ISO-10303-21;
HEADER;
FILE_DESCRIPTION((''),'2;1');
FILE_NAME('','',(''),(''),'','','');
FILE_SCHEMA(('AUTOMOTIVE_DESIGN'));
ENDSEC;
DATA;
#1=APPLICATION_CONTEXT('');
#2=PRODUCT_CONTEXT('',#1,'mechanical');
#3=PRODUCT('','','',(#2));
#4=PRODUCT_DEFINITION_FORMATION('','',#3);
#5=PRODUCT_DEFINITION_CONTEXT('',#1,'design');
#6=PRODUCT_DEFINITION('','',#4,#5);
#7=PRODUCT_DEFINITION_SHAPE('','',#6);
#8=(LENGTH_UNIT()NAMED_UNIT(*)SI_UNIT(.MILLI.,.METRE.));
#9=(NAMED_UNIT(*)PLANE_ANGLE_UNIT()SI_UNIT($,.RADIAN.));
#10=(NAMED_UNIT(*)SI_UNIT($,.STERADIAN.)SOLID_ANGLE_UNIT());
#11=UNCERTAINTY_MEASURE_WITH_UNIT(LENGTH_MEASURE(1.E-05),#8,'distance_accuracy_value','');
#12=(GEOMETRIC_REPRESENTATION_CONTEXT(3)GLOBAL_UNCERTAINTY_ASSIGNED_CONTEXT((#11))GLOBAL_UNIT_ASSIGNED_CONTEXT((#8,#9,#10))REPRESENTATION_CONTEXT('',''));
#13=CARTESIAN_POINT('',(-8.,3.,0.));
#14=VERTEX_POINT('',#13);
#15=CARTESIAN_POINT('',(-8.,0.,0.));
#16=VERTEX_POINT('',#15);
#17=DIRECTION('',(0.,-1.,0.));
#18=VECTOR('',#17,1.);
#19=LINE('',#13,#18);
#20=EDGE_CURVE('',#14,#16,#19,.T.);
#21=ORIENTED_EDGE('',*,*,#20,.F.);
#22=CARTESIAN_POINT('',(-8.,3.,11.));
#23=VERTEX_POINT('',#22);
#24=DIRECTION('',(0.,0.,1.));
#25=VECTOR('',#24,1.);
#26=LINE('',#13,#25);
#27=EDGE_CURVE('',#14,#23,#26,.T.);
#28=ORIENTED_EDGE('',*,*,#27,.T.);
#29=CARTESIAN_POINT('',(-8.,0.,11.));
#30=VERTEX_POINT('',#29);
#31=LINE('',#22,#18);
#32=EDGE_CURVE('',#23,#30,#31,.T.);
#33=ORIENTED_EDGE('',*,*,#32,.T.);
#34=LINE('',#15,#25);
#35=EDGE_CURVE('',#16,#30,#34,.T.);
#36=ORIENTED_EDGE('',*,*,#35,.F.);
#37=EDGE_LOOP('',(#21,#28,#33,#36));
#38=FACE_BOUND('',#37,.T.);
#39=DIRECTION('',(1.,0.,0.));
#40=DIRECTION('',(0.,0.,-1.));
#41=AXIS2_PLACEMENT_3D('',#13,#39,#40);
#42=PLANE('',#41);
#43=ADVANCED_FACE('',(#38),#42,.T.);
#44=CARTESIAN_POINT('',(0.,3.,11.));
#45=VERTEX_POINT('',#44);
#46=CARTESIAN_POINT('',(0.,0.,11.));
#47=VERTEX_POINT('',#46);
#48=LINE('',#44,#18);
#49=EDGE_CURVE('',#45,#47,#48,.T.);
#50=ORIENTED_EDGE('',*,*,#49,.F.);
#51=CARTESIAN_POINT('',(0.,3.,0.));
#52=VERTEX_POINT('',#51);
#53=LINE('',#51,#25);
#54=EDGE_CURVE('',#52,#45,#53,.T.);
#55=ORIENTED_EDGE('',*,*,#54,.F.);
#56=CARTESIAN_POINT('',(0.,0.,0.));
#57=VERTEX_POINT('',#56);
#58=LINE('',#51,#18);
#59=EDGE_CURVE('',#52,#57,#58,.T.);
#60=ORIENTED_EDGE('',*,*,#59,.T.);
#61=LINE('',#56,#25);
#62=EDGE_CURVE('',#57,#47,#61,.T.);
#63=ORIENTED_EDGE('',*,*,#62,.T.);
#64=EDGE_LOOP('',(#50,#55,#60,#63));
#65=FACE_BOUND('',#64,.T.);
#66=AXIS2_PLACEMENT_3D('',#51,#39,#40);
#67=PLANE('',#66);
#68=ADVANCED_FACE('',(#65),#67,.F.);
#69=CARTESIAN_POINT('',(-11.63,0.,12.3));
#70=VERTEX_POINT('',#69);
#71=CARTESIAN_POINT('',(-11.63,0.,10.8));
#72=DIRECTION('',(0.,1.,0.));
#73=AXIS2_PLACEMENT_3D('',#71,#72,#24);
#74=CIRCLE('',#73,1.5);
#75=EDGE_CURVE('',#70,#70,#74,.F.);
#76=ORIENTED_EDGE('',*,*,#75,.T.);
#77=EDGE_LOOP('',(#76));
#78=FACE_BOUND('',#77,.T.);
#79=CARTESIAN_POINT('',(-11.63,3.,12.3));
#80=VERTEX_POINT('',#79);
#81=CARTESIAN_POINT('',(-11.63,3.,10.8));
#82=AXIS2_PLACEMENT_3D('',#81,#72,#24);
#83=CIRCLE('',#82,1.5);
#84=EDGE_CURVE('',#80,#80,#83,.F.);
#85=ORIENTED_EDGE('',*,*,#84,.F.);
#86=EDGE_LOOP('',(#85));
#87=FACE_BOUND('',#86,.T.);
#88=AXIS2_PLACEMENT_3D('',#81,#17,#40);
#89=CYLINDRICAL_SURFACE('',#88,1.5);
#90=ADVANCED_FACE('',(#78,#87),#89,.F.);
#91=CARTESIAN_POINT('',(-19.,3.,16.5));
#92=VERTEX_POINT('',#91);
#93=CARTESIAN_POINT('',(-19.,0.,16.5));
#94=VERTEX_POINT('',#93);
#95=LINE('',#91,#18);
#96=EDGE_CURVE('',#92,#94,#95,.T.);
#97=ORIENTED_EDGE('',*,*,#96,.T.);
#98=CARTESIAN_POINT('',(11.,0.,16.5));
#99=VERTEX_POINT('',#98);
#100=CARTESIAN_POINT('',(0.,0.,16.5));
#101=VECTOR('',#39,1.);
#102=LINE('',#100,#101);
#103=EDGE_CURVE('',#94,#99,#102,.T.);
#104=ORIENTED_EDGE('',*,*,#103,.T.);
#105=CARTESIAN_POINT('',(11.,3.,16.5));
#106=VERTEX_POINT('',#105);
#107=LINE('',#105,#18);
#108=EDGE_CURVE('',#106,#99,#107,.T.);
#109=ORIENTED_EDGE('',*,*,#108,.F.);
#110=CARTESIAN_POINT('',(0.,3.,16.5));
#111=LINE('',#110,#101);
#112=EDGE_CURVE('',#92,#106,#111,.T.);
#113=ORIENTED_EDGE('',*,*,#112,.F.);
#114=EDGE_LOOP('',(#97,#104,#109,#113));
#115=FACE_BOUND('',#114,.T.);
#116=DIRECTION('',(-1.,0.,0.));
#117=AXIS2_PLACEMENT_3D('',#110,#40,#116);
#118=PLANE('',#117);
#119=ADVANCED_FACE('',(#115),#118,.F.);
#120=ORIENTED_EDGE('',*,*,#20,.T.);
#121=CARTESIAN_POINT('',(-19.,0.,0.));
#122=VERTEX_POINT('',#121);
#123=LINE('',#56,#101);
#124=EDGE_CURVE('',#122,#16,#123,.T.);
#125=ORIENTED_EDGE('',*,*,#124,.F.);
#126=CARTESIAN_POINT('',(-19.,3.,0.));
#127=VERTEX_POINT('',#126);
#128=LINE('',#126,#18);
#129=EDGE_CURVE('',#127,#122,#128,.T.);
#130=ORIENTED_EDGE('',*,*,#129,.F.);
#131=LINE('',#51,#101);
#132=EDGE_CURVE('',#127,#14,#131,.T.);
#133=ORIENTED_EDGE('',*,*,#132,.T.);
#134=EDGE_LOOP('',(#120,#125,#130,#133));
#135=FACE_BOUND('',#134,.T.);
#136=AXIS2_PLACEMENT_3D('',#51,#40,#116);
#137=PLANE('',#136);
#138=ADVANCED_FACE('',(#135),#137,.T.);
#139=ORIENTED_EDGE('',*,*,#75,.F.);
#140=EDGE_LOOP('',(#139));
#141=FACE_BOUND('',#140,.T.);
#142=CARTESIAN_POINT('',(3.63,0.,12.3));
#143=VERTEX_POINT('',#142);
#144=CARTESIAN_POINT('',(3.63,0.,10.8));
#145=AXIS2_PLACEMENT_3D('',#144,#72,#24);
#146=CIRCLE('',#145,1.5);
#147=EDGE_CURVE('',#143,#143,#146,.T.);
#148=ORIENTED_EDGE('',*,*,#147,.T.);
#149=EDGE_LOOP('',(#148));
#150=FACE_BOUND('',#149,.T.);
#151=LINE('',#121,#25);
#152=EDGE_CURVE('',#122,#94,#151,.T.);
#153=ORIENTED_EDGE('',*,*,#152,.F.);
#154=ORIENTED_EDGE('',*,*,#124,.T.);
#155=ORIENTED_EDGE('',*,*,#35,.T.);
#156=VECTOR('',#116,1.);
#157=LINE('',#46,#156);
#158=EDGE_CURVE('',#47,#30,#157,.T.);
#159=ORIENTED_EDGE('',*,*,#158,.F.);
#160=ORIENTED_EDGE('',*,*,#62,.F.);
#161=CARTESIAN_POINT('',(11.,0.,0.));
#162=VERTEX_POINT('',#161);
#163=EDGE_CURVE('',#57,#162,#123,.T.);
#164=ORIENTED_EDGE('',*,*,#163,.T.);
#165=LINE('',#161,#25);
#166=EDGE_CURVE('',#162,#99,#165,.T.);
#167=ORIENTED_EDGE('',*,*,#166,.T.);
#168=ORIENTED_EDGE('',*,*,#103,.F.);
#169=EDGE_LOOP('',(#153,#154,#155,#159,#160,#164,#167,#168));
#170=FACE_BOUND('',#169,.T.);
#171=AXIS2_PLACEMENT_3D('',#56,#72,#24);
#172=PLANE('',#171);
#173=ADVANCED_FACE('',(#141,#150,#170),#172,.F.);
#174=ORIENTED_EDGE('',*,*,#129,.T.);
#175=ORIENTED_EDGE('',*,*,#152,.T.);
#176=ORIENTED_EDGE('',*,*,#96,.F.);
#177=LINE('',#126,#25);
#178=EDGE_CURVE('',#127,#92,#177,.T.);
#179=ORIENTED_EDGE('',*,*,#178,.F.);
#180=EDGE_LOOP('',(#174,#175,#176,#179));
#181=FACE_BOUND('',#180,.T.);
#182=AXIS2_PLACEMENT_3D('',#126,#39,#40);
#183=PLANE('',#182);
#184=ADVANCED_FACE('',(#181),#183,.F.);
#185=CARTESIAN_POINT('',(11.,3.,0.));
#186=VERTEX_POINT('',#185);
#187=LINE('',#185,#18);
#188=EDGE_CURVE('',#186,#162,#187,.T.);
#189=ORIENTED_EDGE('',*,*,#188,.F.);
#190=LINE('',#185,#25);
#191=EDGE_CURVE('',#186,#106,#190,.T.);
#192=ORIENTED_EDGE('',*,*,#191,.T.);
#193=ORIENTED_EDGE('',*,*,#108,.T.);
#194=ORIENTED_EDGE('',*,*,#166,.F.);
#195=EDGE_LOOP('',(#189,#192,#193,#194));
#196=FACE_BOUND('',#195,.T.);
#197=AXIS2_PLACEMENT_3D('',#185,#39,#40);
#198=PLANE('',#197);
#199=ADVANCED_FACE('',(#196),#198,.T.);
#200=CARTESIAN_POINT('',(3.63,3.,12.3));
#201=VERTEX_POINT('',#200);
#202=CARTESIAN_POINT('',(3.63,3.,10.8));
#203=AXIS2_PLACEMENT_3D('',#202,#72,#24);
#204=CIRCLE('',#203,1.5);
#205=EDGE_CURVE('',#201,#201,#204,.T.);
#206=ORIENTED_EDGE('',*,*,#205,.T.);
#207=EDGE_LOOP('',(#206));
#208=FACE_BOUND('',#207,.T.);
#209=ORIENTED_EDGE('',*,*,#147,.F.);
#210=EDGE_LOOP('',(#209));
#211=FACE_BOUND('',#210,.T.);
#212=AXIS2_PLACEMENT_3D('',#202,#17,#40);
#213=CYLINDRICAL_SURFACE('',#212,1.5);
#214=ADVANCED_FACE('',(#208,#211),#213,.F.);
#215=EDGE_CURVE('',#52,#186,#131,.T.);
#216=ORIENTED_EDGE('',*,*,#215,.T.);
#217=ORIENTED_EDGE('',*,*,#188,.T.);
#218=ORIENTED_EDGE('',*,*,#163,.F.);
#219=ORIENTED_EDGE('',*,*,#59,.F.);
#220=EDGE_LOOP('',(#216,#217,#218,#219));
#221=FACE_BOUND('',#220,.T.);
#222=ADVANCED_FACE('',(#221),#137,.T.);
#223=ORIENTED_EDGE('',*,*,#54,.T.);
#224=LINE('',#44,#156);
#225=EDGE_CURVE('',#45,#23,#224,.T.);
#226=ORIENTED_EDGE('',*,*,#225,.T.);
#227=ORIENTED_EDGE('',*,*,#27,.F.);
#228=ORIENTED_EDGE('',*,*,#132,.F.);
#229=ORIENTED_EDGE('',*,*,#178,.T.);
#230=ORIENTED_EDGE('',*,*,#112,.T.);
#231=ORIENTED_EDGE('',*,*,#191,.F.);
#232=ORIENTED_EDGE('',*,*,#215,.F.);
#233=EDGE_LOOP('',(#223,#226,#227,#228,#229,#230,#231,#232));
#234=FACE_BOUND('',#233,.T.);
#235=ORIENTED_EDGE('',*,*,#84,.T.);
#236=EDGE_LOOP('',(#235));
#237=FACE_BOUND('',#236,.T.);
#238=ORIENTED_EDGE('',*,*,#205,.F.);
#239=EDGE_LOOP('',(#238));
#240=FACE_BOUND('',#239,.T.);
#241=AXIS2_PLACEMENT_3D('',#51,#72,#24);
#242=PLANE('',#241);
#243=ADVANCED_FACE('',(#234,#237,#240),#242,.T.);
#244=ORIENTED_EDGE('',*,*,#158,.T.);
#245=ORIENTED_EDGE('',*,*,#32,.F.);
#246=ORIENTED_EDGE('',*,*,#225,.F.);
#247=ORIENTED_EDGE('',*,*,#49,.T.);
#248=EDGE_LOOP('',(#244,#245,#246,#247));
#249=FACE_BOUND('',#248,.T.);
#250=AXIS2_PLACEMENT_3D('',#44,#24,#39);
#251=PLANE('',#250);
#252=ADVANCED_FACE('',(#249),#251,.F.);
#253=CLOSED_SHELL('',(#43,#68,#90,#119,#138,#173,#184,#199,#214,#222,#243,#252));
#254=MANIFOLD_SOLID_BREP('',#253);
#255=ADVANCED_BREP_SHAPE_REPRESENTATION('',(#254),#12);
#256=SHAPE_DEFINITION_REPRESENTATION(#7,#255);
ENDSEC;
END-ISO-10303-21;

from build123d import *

# Parameters (mm, degrees)
SKETCH1_R           = 1.5
BOSS_EXTRUDE1_DEPTH = 3


with BuildPart() as part:
    # Sketch1 → Boss-Extrude1 (new body)
    with BuildSketch(Plane(origin=(0, 0, 0), x_dir=(1, 0, 0), z_dir=(0, 1, 0))):
        Polygon((11, 0), (0, 0), (0, -11), (-8, -11), (-8, 0), (-19, 0), (-19, -16.5), (11, -16.5), align=None)
        with Locations(Location((-11.63, -10.8, 0), (0, 0, 270))):
            Circle(SKETCH1_R, mode=Mode.SUBTRACT)
        with Locations(Location((3.63, -10.8, 0), (0, 0, 270))):
            Circle(SKETCH1_R, mode=Mode.SUBTRACT)
    extrude(amount=BOSS_EXTRUDE1_DEPTH)


solid = part.part
